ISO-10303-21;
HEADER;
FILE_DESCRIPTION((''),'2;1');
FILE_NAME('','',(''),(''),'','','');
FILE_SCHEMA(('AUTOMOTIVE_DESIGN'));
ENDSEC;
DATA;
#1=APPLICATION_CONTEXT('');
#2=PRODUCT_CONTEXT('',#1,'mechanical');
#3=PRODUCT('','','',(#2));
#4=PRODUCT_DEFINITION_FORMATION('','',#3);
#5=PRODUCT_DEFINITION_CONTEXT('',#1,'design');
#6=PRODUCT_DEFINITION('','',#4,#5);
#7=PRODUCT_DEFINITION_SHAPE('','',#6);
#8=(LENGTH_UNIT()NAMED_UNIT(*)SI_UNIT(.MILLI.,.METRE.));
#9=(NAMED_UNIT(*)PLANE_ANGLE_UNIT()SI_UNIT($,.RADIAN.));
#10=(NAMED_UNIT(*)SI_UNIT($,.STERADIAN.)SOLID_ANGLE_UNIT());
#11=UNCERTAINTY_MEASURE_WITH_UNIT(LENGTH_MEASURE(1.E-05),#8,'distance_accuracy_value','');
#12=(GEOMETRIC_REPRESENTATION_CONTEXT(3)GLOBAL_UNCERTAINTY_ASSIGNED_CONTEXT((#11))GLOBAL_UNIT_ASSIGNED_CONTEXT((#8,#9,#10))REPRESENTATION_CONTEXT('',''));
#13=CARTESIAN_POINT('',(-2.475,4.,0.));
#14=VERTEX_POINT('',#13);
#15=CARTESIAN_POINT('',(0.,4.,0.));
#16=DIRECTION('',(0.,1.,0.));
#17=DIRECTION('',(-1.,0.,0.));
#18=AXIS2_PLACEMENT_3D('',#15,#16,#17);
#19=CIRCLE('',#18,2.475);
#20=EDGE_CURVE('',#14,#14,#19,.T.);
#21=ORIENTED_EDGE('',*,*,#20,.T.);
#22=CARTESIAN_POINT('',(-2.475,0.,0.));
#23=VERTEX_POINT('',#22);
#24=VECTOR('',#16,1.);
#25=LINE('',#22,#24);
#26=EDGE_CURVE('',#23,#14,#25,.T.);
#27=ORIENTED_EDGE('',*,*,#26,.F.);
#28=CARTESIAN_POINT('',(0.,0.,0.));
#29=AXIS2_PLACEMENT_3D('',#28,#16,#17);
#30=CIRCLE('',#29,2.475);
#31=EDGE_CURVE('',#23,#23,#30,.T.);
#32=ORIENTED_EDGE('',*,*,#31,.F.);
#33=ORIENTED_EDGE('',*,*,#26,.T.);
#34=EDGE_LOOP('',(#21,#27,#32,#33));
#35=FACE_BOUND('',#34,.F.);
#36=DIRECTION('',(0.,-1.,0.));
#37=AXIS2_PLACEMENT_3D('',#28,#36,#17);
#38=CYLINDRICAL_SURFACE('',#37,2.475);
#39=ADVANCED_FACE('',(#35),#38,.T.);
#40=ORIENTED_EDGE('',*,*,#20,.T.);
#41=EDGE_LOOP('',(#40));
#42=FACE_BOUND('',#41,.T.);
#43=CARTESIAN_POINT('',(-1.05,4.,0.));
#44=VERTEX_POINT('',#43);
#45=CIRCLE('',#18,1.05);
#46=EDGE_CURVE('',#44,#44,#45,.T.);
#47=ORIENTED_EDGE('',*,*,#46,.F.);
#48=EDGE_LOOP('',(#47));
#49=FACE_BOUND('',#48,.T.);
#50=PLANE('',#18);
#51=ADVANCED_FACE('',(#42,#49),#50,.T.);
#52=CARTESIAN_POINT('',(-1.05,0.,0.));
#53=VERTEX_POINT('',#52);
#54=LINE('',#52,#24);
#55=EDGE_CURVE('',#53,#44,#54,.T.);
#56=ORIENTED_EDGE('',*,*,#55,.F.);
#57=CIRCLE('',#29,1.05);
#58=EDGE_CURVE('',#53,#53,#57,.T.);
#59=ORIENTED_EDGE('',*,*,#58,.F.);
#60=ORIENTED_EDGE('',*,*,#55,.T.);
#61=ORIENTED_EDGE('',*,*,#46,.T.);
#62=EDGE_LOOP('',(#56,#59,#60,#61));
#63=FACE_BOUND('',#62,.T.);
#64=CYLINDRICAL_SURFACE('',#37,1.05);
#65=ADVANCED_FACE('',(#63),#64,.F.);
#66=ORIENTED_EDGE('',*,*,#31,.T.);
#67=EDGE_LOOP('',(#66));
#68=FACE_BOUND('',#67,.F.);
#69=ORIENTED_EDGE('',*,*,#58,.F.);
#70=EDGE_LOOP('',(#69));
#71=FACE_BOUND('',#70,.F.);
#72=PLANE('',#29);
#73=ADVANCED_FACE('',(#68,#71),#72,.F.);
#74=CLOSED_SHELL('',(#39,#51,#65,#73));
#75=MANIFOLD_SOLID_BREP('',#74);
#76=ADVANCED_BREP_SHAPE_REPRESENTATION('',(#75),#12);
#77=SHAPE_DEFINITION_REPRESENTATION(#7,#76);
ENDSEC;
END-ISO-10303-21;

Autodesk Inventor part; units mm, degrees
ref_plane "YZ Plane" through (0, 0, 0) normal (1, 0, 0) x (0, 1, 0)
ref_plane "XZ Plane" through (0, 0, 0) normal (0, 1, 0) x (-1, 0, 0)
ref_plane "XY Plane" through (0, 0, 0) normal (0, 0, 1) x (1, 0, 0)
sketch "Эскиз1" plane through (0, 0, 0) normal (0, 1, 0) x (-1, 0, 0)
  circle A0 centre (0, 0) radius 2.475
  circle A1 centre (0, 0) radius 1.05
  dimension "d0" = 4.95
  dimension "d1" = 2.1
extrude "Выдавливание1" add sketch "Эскиз1" along normal blind 4
properties part number "втулка5-2"
